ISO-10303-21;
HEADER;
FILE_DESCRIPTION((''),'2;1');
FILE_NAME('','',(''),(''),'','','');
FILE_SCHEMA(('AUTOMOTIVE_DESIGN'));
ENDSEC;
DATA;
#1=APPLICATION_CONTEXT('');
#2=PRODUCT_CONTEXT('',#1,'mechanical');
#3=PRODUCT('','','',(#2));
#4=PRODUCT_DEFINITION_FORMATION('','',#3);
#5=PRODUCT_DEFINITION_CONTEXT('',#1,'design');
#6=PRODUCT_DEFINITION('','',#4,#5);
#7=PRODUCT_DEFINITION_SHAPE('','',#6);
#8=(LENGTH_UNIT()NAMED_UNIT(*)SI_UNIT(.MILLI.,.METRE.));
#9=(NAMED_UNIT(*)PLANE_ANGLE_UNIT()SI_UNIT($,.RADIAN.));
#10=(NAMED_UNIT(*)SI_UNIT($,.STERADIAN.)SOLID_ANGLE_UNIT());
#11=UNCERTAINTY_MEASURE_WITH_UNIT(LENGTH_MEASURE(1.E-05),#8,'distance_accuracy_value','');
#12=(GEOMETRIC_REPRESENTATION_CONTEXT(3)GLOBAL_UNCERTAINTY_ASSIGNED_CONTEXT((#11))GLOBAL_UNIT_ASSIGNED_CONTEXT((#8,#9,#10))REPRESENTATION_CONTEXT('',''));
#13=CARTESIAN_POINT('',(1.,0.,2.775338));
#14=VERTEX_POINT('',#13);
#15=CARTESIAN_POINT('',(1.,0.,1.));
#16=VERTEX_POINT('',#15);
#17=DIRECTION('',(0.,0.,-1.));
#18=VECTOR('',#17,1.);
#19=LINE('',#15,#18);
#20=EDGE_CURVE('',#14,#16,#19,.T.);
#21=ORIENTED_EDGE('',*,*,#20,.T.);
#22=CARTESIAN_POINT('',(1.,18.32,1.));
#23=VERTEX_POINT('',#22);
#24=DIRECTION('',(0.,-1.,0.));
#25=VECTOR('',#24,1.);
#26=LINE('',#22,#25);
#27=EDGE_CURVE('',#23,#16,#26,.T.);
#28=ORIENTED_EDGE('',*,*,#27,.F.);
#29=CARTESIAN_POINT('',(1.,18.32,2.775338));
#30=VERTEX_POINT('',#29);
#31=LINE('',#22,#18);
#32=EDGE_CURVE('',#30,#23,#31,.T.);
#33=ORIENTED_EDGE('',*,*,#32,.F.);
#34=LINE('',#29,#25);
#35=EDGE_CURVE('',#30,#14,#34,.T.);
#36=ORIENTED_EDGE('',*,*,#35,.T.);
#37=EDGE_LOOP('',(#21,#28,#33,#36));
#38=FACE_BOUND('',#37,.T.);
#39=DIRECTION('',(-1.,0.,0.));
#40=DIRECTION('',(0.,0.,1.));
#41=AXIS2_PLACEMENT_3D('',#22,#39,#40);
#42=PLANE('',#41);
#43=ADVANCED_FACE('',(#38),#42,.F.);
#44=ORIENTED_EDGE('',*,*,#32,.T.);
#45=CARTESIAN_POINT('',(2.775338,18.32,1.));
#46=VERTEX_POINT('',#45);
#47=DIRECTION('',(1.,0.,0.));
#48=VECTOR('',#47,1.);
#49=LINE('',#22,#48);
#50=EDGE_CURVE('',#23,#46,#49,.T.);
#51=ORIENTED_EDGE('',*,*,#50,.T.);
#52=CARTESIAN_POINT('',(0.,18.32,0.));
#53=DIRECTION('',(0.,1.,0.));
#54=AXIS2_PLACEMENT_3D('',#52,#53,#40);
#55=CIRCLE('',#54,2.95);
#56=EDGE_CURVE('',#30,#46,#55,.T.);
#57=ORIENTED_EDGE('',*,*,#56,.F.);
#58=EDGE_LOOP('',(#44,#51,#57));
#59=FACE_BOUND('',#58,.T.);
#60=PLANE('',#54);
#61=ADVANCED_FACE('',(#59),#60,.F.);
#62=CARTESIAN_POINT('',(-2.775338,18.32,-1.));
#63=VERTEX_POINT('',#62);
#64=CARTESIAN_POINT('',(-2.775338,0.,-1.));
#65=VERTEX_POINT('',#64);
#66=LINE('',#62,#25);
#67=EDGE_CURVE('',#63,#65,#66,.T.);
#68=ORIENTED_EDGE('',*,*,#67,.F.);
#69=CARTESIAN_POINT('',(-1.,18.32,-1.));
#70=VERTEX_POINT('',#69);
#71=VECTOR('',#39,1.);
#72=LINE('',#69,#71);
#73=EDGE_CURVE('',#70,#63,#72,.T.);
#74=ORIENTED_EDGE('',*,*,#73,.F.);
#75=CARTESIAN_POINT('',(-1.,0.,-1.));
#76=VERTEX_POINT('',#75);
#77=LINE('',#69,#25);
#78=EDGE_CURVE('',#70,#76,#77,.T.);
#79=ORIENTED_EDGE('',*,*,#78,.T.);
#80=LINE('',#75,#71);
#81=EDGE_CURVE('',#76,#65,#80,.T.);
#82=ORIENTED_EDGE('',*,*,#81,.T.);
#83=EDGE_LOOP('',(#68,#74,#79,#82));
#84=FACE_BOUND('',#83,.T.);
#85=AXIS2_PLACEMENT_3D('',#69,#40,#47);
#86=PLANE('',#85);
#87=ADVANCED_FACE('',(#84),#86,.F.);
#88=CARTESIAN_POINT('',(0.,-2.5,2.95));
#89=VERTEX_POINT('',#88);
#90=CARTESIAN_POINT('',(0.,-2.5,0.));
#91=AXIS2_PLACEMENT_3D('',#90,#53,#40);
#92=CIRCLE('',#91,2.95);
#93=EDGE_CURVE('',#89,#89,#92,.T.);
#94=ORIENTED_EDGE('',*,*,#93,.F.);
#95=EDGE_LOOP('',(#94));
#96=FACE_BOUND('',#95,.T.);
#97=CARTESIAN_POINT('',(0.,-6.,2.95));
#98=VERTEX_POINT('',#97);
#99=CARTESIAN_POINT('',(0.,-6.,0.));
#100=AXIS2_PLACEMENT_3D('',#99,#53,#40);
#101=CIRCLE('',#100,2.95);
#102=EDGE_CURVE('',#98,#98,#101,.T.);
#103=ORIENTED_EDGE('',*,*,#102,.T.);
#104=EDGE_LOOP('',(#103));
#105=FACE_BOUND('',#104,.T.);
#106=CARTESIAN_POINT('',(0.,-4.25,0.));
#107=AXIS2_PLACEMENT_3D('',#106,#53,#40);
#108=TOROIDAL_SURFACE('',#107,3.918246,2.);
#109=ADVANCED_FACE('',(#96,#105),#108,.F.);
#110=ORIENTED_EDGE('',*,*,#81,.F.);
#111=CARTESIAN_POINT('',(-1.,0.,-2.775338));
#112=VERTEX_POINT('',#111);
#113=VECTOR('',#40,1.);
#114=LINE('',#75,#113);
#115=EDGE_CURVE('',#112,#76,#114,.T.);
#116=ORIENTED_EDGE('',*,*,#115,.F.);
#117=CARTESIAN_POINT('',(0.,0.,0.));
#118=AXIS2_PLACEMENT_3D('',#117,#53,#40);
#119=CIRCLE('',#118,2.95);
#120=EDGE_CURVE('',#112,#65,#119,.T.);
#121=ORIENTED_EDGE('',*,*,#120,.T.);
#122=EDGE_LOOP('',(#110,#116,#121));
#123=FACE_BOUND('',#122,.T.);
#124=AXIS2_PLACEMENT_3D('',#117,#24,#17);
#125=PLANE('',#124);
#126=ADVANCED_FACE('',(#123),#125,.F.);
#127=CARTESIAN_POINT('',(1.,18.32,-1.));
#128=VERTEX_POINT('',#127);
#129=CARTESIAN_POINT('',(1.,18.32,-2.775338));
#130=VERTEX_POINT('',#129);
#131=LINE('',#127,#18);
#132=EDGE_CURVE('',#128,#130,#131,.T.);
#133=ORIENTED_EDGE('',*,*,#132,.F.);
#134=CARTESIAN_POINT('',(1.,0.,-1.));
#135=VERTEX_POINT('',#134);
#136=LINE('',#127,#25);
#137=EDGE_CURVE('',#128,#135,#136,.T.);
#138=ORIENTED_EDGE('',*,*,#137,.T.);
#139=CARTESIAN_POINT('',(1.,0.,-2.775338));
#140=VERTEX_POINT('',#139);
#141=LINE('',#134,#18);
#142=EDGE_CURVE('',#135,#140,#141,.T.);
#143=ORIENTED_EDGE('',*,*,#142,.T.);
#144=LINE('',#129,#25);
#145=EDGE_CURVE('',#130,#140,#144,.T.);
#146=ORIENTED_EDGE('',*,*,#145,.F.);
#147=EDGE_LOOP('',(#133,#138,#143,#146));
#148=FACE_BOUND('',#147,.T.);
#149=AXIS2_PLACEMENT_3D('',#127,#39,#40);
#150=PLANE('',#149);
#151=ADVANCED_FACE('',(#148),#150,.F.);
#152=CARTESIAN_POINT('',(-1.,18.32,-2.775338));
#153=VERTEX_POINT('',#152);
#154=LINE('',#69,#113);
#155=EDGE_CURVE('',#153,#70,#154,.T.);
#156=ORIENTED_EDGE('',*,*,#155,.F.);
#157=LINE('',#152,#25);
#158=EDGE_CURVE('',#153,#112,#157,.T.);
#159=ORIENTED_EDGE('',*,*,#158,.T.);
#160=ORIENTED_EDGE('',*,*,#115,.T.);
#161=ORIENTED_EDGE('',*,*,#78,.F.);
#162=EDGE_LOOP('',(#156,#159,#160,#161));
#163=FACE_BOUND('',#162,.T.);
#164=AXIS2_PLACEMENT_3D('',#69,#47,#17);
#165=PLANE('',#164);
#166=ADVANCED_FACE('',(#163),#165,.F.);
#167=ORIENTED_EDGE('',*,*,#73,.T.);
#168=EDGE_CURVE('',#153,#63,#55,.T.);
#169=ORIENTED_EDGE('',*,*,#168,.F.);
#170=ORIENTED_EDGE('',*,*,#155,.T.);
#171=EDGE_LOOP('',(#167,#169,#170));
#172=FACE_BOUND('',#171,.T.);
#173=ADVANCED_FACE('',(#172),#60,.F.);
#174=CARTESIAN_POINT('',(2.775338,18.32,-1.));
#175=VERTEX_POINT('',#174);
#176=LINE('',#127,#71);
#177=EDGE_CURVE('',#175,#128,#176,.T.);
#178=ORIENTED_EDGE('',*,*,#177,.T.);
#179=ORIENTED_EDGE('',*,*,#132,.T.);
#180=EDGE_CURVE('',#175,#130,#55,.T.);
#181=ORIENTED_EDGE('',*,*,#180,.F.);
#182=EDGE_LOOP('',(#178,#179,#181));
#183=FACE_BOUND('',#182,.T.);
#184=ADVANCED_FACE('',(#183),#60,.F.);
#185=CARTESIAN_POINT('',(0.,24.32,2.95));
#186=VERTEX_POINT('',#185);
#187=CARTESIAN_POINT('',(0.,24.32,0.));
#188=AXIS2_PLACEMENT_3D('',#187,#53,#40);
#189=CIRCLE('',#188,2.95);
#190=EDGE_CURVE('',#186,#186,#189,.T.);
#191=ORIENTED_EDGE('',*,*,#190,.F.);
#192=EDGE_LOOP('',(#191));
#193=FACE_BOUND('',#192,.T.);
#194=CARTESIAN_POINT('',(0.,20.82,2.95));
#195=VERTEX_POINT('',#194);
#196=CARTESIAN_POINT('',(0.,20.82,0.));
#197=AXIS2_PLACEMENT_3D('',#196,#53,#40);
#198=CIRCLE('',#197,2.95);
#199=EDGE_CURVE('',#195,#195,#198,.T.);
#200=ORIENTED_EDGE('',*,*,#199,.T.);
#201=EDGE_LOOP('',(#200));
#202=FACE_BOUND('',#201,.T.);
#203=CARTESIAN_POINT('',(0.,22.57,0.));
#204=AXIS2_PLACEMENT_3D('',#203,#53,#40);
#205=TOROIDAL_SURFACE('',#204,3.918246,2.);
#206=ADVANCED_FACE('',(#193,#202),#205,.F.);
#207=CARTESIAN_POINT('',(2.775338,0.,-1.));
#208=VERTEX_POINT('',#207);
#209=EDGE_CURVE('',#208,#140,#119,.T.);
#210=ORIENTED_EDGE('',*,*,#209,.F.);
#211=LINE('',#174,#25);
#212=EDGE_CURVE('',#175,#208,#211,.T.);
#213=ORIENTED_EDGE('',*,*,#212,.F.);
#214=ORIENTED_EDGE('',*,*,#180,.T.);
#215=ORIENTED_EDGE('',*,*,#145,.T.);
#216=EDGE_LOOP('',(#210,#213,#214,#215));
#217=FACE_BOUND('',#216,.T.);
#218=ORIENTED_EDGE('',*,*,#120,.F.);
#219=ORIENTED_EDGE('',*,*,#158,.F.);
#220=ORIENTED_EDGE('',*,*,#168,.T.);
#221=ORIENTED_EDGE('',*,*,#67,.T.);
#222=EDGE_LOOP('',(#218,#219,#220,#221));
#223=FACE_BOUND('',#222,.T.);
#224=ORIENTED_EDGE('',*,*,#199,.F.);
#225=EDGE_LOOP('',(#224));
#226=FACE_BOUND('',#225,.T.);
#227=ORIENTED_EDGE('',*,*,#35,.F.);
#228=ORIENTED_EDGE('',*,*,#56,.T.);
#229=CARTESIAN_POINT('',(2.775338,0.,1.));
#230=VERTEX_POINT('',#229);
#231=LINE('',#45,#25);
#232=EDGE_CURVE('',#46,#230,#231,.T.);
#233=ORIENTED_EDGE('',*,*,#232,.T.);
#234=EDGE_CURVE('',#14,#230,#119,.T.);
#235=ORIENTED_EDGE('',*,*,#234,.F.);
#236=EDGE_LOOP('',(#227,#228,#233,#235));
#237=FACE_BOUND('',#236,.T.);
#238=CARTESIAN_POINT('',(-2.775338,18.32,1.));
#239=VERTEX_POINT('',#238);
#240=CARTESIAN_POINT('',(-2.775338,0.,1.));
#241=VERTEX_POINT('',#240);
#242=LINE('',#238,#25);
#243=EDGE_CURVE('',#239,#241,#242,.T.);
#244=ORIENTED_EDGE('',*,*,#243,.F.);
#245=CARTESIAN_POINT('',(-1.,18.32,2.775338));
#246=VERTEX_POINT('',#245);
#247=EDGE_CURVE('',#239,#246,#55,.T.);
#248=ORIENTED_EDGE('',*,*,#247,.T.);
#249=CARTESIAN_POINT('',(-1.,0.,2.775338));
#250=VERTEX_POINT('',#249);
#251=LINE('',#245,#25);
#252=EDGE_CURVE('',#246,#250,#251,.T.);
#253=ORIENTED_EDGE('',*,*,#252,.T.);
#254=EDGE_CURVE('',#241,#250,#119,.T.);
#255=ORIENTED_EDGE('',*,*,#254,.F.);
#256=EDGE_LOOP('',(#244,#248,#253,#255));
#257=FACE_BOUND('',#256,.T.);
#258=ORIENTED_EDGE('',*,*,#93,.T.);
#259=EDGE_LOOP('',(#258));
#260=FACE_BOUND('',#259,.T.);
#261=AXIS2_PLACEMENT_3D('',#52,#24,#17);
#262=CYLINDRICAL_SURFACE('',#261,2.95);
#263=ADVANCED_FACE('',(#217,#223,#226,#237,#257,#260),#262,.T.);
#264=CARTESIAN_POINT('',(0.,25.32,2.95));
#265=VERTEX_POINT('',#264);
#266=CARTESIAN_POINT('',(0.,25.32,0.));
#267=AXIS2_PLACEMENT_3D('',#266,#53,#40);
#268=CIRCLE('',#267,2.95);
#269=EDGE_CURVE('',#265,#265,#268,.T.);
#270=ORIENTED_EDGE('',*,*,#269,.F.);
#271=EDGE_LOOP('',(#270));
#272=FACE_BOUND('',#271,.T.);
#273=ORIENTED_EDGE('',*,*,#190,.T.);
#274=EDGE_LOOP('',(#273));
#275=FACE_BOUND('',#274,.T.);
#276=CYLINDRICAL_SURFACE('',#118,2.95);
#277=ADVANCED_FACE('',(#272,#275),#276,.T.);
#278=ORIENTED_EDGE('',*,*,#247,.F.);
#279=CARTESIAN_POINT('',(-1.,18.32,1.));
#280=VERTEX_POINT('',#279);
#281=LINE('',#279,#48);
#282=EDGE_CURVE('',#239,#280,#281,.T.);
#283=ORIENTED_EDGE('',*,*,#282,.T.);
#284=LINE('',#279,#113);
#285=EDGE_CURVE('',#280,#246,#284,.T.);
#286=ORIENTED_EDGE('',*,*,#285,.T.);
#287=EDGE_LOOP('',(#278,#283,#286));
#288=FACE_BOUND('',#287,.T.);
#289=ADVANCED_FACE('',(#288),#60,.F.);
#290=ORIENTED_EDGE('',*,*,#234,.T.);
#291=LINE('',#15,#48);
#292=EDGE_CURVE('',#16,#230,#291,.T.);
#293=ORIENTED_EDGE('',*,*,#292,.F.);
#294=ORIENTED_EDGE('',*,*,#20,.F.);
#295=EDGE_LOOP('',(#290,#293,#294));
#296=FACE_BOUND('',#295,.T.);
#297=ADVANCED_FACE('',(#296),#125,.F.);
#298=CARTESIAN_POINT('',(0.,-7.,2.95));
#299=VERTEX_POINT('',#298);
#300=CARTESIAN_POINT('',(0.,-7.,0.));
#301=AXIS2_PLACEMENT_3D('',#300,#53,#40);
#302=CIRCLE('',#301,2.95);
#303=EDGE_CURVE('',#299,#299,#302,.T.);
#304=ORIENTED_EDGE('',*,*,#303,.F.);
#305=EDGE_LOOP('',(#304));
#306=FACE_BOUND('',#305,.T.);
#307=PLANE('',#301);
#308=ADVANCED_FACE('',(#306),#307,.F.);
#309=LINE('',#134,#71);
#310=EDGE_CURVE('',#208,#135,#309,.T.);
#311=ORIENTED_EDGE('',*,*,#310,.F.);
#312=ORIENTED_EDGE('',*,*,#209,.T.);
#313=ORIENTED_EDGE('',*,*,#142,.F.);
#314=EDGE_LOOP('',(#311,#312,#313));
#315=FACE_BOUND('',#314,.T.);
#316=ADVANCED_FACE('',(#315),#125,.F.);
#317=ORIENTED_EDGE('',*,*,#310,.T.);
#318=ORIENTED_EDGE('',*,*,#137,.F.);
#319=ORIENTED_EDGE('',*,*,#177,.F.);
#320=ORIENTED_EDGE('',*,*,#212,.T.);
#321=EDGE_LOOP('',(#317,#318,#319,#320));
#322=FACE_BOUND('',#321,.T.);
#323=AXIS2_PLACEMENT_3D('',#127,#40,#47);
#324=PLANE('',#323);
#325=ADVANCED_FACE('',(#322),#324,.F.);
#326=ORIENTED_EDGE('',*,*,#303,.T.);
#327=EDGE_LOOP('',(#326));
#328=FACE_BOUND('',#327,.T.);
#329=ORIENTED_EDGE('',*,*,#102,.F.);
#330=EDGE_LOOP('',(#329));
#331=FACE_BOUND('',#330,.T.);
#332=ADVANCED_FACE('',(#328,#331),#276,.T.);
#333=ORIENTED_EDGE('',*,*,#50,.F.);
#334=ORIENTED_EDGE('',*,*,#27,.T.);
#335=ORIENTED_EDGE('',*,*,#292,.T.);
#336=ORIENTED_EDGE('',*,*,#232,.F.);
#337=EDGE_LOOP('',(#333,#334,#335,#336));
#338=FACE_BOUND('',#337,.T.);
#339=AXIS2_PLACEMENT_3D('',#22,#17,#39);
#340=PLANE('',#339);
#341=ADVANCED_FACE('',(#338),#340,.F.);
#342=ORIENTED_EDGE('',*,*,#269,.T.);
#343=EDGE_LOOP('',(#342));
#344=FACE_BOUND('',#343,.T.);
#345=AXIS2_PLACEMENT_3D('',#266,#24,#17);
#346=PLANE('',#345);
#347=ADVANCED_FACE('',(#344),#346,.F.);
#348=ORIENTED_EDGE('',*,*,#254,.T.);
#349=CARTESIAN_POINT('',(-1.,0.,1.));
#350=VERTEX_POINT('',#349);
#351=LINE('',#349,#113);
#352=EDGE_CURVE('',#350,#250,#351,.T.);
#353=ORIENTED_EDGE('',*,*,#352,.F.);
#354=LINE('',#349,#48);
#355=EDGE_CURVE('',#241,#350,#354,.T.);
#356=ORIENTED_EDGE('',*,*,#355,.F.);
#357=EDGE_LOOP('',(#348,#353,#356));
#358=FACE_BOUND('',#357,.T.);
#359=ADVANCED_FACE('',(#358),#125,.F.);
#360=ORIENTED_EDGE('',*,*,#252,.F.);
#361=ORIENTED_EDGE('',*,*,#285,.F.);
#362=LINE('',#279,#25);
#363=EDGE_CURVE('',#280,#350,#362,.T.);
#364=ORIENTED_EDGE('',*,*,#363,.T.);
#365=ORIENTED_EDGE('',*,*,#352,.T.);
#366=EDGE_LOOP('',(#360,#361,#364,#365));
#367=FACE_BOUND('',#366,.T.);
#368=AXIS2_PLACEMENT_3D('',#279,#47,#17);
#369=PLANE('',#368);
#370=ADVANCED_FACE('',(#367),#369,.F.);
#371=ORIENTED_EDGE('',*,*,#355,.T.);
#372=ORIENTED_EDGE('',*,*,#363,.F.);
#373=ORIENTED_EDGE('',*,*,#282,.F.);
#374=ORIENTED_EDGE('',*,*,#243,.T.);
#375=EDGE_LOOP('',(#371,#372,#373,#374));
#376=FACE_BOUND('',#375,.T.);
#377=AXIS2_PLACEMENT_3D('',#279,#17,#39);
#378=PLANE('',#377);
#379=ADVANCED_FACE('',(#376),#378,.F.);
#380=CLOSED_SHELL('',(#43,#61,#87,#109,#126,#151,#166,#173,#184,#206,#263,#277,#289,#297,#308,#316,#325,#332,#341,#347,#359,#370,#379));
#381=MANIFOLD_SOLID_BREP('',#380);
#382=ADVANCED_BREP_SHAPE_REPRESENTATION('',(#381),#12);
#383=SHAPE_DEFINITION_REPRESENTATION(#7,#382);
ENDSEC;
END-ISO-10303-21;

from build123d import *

# Parameters (mm, degrees)
EXTRUDE_2_DEPTH = 18.32


with BuildPart() as part:
    # 草图1 → 凸台-拉伸2 (new body)
    with BuildSketch(Plane(origin=(0, 0, 0), x_dir=(1, 0, 0), z_dir=(0, 1, 0))):
        with BuildLine():
            Line((1, 1), (1, 2.775338))
            ThreePointArc((1, 2.775338), (0, 2.95), (-1, 2.775338))
            Line((-1, 2.775338), (-1, 1))
            Line((-1, 1), (-2.775338, 1))
            ThreePointArc((-2.775338, 1), (-2.95, 0), (-2.775338, -1))
            Line((-2.775338, -1), (-1, -1))
            Line((-1, -1), (-1, -2.775338))
            ThreePointArc((-1, -2.775338), (0, -2.95), (1, -2.775338))
            Line((1, -2.775338), (1, -1))
            Line((1, -1), (2.775338, -1))
            ThreePointArc((2.775338, -1), (2.95, 0), (2.775338, 1))
            Line((2.775338, 1), (1, 1))
        make_face()
    extrude(amount=EXTRUDE_2_DEPTH)

    # 草图3 → 旋转3 (revolve)
    with BuildSketch(Plane(origin=(0, 0, 0), x_dir=(0, 0, -1), z_dir=(1, 0, 0))):
        with BuildLine():
            Line((0, 18.32), (0, 25.32))
            Line((0, 25.32), (2.95, 25.32))
            Line((2.95, 25.32), (2.95, 24.32))
            ThreePointArc((2.95, 24.32), (1.918246, 22.57), (2.95, 20.82))
            Line((2.95, 20.82), (2.95, 18.32))
            Line((2.95, 18.32), (0, 18.32))
        make_face()
        with BuildLine():
            Line((0, 0), (0, -7))
            Line((0, -7), (2.95, -7))
            Line((2.95, -7), (2.95, -6))
            ThreePointArc((2.95, -6), (1.918246, -4.25), (2.95, -2.5))
            Line((2.95, -2.5), (2.95, 0))
            Line((2.95, 0), (0, 0))
        make_face()
    revolve(axis=Axis((0, 0, 0), (0, -1, 0)))


solid = part.part
